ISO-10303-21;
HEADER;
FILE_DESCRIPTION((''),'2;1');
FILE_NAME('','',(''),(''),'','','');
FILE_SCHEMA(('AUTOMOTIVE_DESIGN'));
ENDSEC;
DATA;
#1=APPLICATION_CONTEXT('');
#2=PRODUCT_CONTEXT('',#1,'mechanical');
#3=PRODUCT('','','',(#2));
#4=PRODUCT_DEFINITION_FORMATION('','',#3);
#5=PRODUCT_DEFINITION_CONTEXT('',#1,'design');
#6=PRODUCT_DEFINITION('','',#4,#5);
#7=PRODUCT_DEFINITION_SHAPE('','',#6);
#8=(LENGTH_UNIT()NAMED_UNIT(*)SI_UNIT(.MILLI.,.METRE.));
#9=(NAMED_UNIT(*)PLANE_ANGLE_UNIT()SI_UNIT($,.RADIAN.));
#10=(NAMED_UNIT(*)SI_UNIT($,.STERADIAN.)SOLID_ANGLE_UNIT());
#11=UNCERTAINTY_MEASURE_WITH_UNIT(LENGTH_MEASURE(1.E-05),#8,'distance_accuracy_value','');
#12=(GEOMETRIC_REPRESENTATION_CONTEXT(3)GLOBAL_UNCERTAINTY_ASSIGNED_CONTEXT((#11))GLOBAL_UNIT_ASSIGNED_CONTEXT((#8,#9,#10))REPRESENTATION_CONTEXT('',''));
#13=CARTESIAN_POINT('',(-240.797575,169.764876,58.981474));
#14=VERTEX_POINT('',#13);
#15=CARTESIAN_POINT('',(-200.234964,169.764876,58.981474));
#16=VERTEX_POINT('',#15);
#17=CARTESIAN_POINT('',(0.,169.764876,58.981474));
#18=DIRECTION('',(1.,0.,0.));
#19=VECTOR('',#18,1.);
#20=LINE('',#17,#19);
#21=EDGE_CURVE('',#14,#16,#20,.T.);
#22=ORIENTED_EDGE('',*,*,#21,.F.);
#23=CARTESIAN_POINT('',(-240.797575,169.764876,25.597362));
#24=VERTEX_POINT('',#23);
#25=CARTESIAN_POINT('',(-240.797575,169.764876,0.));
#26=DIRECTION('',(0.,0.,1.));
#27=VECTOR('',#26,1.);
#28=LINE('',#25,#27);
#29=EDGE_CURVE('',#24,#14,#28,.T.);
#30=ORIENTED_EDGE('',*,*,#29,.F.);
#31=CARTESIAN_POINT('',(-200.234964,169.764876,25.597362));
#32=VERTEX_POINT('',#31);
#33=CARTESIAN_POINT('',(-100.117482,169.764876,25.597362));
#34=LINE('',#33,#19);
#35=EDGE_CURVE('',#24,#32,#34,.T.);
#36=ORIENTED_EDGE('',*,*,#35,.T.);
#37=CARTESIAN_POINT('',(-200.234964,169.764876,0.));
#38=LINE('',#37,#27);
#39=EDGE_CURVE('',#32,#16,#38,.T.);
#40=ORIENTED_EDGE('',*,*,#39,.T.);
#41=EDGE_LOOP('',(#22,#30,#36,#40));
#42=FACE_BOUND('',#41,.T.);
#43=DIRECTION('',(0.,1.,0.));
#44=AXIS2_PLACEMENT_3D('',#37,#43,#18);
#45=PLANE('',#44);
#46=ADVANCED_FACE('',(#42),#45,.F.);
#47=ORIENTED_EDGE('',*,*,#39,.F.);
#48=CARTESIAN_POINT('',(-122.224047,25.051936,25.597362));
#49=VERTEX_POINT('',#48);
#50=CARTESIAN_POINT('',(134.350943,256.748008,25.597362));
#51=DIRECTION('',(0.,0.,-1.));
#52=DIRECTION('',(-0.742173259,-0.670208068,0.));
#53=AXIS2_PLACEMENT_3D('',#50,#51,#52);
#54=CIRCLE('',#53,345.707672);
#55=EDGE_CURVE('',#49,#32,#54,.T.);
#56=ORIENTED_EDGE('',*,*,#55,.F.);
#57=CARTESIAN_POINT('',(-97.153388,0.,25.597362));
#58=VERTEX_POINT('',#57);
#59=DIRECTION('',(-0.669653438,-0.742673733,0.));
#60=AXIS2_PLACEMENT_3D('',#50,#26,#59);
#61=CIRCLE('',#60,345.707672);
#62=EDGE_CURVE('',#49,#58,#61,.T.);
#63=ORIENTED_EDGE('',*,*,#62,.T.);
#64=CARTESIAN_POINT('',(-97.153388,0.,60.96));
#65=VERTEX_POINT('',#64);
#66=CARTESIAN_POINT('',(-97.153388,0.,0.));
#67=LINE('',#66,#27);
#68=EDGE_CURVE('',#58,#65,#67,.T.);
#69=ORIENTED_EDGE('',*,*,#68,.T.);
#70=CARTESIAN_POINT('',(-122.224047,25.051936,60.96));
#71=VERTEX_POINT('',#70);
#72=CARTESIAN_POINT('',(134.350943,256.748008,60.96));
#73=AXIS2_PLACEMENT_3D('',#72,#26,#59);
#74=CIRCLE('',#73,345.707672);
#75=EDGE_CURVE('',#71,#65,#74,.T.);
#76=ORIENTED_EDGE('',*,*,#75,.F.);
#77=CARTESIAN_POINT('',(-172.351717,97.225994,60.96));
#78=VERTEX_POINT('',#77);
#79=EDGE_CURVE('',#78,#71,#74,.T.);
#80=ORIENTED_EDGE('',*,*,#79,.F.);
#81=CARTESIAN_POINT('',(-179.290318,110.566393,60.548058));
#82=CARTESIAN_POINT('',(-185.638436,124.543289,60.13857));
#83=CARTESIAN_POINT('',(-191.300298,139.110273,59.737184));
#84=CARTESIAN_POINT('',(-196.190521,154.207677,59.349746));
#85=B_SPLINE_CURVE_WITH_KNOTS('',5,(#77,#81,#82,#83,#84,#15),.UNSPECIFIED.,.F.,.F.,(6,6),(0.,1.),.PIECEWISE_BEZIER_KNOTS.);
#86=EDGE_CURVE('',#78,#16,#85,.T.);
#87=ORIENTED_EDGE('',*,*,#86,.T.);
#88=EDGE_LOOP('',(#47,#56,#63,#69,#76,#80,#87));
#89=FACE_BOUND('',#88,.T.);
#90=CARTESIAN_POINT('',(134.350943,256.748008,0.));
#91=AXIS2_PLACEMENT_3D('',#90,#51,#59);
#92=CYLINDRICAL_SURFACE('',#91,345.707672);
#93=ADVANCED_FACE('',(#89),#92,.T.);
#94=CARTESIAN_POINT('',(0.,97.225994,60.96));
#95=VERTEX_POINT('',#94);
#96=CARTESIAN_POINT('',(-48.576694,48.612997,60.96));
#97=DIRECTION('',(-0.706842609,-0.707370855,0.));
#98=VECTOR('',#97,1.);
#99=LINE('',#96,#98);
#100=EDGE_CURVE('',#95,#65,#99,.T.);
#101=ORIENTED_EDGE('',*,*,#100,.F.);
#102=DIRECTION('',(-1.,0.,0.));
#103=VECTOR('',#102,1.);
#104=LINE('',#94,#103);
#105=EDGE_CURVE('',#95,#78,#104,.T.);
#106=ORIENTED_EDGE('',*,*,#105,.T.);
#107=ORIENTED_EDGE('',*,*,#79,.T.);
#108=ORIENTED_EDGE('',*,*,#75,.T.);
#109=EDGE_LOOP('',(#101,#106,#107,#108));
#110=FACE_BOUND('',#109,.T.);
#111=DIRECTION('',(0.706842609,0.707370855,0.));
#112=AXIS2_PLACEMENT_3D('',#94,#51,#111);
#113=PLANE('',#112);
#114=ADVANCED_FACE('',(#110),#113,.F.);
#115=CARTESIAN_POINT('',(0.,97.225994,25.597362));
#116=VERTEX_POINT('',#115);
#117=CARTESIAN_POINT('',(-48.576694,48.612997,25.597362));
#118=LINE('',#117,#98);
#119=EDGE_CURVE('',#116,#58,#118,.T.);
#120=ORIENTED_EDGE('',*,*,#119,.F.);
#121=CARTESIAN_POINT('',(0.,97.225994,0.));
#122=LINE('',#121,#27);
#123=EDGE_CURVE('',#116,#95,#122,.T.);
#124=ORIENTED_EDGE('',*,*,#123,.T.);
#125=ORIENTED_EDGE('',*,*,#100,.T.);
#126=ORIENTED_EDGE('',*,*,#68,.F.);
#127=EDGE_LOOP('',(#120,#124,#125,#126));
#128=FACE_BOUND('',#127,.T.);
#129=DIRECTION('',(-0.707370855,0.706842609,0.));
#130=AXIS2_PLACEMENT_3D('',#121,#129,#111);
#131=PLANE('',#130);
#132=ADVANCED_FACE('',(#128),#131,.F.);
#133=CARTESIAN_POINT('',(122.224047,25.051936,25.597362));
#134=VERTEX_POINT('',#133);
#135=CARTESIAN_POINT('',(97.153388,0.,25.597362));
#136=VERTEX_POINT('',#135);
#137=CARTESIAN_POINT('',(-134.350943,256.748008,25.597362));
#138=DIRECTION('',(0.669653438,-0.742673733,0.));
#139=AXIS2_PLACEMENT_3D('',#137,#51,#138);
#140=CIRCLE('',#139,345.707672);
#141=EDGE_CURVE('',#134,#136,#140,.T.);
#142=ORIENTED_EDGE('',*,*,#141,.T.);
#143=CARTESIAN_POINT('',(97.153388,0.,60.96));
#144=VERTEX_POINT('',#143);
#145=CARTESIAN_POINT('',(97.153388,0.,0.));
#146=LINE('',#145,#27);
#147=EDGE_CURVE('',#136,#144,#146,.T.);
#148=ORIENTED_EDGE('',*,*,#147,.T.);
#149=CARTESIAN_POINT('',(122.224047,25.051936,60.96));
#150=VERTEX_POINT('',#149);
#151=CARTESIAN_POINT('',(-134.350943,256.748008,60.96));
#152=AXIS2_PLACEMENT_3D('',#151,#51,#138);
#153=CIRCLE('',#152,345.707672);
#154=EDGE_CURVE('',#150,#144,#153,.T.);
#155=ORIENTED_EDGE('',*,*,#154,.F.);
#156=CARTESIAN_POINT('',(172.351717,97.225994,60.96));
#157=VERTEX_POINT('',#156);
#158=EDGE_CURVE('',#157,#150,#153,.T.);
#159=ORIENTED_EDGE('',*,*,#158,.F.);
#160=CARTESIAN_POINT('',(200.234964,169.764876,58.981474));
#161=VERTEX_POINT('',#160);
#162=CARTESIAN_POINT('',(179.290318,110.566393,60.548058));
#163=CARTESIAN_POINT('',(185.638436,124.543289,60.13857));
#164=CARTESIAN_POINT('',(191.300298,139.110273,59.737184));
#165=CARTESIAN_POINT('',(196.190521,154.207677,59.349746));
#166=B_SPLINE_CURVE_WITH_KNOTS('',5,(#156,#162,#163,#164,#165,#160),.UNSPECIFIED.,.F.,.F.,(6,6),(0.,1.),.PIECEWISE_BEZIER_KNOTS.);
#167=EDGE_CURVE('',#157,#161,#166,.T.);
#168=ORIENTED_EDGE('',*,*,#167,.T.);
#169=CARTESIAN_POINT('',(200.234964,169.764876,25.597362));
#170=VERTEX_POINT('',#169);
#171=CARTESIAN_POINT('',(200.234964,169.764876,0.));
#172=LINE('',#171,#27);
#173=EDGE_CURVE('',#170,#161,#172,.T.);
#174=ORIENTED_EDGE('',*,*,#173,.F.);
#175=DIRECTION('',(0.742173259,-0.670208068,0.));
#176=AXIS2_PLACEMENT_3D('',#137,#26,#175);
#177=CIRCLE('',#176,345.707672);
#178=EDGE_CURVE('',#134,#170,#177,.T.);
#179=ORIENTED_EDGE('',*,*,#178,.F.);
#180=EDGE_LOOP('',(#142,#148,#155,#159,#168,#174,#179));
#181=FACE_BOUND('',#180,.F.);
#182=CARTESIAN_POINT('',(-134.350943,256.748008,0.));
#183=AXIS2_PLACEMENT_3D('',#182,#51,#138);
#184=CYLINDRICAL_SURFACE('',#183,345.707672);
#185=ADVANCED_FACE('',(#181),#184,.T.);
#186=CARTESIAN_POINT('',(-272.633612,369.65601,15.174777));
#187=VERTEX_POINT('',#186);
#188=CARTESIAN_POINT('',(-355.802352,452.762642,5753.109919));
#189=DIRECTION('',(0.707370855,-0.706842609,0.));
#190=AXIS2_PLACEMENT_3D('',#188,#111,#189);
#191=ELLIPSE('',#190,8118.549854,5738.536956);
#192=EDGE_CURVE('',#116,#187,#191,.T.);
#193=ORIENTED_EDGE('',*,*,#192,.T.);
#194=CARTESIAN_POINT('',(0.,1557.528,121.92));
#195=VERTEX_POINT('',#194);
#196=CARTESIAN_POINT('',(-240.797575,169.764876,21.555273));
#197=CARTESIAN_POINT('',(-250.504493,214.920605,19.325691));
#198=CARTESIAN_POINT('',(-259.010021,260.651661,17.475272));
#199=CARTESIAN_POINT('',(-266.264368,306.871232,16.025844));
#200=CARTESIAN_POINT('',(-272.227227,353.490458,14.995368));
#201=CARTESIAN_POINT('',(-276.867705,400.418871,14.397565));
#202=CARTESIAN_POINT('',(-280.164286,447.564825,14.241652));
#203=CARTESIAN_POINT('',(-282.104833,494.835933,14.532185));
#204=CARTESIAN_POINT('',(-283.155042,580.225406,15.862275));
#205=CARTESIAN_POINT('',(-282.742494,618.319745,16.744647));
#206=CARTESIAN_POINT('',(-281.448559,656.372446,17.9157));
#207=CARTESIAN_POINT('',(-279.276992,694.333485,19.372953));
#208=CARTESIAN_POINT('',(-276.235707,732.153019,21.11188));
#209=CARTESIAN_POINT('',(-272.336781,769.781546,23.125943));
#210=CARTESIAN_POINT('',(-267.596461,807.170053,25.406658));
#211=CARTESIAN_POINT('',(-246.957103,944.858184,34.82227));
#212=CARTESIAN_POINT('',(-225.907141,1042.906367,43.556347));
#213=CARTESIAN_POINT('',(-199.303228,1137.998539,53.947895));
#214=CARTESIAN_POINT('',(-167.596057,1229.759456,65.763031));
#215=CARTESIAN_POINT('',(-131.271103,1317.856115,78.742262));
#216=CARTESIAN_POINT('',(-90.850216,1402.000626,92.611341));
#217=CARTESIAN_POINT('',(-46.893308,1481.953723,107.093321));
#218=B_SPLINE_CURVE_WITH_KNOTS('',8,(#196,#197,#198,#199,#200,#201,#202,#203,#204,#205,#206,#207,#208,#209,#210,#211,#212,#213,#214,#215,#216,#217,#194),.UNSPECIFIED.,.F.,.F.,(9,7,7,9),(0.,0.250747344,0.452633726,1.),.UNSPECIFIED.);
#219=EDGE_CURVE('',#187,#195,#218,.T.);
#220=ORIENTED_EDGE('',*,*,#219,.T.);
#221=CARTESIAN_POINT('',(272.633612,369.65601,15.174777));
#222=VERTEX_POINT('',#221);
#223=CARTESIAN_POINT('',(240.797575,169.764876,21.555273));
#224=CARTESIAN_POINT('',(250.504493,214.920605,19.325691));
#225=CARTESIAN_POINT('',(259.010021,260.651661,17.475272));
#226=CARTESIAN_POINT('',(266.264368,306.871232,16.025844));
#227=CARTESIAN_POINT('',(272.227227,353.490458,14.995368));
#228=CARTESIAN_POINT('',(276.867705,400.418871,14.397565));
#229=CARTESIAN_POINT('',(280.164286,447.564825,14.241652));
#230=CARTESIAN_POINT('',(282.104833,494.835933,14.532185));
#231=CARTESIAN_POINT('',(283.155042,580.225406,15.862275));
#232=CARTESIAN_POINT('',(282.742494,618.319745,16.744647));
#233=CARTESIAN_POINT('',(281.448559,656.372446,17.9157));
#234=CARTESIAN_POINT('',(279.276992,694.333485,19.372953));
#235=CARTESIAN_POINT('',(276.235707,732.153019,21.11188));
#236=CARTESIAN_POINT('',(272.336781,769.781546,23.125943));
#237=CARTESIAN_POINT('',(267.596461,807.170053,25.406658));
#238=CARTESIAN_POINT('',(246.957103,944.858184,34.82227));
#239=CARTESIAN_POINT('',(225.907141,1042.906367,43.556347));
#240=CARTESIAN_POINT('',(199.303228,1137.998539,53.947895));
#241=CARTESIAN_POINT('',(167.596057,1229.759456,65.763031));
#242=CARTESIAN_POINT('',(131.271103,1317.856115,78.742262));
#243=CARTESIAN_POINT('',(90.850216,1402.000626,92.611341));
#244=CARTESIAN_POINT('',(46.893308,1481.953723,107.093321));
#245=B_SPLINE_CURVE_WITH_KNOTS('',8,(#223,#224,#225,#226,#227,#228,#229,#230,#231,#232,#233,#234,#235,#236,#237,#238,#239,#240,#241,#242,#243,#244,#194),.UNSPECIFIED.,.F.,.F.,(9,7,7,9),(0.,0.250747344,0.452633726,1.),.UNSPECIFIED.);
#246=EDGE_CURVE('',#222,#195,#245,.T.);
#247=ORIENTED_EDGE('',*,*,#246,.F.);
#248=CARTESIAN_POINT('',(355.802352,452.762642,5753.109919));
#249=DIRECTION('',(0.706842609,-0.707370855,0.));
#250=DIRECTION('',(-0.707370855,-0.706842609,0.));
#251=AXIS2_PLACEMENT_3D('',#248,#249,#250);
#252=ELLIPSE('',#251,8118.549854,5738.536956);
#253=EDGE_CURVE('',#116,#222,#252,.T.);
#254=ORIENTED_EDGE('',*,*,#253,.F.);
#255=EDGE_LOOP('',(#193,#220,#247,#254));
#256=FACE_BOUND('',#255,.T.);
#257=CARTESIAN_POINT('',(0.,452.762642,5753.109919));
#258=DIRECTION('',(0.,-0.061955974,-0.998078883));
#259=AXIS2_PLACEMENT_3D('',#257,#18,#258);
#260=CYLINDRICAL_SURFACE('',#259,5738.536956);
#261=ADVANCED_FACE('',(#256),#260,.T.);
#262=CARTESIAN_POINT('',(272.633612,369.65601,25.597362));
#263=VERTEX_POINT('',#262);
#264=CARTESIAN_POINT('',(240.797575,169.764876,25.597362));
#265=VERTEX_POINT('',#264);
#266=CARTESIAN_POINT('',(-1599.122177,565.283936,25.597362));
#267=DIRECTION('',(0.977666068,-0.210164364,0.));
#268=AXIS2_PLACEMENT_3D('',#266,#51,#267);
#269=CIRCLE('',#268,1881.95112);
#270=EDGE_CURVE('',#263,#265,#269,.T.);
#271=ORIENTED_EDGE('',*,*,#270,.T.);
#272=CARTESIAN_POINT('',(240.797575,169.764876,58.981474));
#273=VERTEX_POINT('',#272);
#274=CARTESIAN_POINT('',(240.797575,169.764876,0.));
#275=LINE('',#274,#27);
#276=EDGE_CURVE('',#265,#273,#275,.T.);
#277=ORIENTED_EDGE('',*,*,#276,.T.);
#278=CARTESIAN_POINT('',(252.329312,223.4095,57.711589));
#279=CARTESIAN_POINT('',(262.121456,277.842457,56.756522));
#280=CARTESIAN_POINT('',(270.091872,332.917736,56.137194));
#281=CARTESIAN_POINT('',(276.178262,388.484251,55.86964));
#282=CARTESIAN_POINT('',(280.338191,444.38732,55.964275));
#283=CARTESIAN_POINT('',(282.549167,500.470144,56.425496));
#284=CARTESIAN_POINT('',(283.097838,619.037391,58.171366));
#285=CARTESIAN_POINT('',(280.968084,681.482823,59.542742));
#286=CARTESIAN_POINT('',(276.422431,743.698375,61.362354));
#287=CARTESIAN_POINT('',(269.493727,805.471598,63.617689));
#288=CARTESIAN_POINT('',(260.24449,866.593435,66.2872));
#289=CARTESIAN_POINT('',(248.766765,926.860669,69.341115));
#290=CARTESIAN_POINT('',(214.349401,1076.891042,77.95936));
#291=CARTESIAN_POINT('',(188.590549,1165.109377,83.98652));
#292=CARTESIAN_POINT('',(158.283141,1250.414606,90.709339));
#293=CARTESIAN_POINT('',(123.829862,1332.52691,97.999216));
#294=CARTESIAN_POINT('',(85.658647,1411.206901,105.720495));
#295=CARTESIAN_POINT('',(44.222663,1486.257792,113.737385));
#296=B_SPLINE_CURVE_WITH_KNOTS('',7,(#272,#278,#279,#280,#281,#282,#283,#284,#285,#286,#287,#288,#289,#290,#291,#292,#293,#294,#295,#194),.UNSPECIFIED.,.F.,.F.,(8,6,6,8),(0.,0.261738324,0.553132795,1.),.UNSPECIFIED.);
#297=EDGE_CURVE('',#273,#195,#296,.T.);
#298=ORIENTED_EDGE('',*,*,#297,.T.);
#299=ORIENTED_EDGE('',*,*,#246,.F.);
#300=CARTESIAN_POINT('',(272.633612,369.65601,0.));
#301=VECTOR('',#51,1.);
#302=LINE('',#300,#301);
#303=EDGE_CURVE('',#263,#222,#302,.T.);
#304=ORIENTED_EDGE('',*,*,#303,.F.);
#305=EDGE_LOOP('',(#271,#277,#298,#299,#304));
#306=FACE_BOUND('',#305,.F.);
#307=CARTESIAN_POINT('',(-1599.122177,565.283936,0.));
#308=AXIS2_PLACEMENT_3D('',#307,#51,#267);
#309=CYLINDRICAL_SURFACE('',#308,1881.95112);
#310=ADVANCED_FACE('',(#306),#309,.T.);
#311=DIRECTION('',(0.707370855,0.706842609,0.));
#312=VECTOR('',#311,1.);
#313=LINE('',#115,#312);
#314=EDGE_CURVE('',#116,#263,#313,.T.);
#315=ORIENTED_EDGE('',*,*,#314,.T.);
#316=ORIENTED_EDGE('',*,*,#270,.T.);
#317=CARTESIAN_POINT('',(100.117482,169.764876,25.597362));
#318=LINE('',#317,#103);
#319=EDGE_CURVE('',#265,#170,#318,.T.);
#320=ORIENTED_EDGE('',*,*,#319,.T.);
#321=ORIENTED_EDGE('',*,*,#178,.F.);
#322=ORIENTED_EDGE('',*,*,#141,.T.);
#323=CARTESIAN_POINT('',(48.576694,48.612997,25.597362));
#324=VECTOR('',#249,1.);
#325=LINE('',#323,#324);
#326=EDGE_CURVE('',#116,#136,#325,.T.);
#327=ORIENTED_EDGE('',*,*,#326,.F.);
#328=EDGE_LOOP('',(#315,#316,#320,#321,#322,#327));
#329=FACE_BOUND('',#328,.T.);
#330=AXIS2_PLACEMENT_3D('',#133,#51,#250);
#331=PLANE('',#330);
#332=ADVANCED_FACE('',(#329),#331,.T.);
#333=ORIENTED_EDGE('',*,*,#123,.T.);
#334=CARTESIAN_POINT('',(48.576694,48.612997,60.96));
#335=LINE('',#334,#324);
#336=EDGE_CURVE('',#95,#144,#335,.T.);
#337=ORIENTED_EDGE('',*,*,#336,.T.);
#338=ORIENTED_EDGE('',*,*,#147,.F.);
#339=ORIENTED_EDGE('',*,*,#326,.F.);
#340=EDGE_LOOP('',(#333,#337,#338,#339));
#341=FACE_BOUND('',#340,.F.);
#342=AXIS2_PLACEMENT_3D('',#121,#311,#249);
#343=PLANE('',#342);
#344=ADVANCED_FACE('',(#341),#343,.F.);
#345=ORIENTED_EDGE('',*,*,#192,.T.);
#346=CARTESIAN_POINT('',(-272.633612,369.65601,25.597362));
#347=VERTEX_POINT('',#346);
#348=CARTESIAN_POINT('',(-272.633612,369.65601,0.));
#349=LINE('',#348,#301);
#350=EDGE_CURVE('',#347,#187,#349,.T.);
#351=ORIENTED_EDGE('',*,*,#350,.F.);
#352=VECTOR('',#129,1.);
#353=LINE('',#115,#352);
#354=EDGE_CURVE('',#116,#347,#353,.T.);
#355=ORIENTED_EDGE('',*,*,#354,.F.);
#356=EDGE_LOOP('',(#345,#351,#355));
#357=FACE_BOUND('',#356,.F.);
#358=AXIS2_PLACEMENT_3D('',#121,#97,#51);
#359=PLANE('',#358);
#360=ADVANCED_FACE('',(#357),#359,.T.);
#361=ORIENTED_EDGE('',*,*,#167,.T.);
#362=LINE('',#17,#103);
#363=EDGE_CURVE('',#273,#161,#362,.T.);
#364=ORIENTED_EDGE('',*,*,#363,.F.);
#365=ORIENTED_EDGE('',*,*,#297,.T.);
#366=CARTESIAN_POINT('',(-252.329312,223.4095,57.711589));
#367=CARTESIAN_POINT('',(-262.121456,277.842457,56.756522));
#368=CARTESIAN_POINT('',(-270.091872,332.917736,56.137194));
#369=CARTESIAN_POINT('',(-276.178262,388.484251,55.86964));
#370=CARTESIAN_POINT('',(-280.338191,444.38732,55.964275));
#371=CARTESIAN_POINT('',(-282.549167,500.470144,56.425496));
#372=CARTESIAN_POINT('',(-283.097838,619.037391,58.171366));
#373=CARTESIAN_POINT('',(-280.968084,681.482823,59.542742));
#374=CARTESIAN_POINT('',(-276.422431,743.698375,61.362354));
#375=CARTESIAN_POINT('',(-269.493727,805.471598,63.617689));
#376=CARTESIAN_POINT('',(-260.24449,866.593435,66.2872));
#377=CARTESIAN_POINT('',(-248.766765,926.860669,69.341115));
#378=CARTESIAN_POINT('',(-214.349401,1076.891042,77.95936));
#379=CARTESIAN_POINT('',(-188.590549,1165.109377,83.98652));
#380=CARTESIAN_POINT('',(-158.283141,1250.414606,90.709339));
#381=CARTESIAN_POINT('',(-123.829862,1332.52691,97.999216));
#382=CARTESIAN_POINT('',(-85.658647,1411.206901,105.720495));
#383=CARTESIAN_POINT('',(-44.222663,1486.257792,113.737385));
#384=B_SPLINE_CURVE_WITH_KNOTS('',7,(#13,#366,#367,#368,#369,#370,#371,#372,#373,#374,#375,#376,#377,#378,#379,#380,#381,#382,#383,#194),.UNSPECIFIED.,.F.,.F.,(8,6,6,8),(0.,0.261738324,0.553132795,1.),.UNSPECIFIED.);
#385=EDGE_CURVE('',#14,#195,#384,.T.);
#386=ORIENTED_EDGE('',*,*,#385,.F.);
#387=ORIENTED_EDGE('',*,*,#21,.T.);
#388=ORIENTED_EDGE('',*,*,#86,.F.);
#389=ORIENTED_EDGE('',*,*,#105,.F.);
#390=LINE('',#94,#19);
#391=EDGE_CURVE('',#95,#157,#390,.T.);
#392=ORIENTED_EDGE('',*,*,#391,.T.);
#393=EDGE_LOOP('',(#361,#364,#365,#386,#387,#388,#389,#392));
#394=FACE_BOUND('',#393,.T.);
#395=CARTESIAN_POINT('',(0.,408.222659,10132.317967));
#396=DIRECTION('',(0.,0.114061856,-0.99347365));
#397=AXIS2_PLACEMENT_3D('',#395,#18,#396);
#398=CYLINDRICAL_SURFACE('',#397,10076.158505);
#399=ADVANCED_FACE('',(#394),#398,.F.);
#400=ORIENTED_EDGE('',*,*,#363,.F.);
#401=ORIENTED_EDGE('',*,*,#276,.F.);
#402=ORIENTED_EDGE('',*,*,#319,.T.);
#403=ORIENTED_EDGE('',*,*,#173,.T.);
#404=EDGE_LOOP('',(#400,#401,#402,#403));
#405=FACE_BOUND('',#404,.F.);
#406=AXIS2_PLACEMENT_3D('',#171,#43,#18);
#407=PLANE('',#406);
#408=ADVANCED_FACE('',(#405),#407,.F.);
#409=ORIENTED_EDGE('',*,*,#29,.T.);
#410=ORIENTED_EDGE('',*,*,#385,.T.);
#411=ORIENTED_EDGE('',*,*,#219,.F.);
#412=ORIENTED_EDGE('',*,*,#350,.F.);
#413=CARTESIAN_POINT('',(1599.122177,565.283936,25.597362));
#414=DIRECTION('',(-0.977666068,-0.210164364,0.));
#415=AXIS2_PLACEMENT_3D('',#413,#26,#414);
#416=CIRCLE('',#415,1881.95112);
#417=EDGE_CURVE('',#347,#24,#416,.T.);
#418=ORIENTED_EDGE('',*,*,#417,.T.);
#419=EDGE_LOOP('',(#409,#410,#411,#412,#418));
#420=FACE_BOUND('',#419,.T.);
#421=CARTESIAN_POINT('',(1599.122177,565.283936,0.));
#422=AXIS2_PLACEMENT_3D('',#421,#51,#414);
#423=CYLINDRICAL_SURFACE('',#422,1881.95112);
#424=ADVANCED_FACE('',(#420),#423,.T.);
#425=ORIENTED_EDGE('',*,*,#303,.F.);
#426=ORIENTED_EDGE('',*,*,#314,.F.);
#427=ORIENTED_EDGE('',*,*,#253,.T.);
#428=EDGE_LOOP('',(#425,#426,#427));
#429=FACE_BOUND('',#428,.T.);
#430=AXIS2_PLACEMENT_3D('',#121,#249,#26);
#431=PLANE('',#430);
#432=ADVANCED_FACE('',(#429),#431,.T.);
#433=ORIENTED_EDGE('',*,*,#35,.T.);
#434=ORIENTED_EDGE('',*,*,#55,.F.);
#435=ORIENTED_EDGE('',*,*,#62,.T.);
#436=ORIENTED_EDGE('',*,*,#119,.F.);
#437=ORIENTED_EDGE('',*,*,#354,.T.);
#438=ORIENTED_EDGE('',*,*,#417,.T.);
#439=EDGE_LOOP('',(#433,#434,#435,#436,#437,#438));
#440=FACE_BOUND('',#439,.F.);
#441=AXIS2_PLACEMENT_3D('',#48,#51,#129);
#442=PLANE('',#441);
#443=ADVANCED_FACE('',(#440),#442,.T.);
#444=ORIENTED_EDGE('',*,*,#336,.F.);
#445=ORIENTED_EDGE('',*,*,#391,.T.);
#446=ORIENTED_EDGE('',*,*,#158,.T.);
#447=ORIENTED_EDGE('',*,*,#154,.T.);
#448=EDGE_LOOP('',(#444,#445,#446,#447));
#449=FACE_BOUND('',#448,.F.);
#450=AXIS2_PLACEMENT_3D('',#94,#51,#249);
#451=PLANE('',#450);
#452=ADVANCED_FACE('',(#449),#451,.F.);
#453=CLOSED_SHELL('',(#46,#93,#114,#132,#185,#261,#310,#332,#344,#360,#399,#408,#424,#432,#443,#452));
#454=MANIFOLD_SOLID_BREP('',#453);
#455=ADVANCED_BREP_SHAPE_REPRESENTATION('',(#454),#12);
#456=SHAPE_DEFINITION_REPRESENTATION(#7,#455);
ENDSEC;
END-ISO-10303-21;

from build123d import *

# Parameters (mm, degrees)
F1_DEPTH  = 121.92
F3_DEPTH  = 282.829943269
F4_W      = 137.4469886072
F4_H      = 60.96
F4_H_2    = 25.5973618478
F5_DEPTH  = 1232.2696308848
F6_W      = 35.4420293589
F6_H      = 60.96
F5_FACE_W = 35.4420293589
F5_FACE_H = 25.5973618478
F7_DEPTH  = 131.2443939971


with BuildPart() as f1:
    # F0 (on Top) → F1 (new body)
    with BuildSketch(Plane.XY):
        with BuildLine():
            Line((0, 1557.528), (0, 97.2259938717))
            Line((0, 97.2259938717), (97.1533879638, 0))
            ThreePointArc((97.1533879638, 0), (161.1479027225, 77.3205102489), (200.2349644899, 169.7648763657))
            Line((200.2349644899, 169.7648763657), (240.7975746215, 169.7648763657))
            ThreePointArc((240.7975746215, 169.7648763657), (255.122674282, 887.0230394729), (0, 1557.528))
        make_face()
    extrude(amount=F1_DEPTH)

    # F2 (on face) → F3 (cut, through all)
    with BuildSketch(Plane(origin=(0, 0, 0), x_dir=(0, -1, 0), z_dir=(-1, 0, 0))):
        with BuildLine():
            Line((-97.2259938717, 121.92), (-1557.528, 121.92))
            ThreePointArc((-1557.528, 121.92), (-828.4837557125, 64.9274989858), (-97.2259938717, 60.96))
            Line((-97.2259938717, 60.96), (-97.2259938717, 121.92))
        make_face()
        with BuildLine():
            ThreePointArc((-97.2259938717, 25.5973618478), (-830.4601765145, 27.0160520849), (-1557.528, 121.92))
            Line((-1557.528, 121.92), (-1557.528, 0))
            Line((-1557.528, 0), (-97.2259938717, 0))
            Line((-97.2259938717, 0), (-97.2259938717, 25.5973618478))
        make_face()
    extrude(amount=-F3_DEPTH, mode=Mode.SUBTRACT)

    # F4 (on face) → F5 (cut, through all)
    with BuildSketch(Plane(origin=(48.6129833707, 48.5766804268, 0), x_dir=(0.7068426085, -0.7073708552, 0), z_dir=(-0.7073708552, -0.7068426085, 0))):
        with Locations((-0.0513401263, 91.44)):
            Rectangle(F4_W, F4_H)
        with Locations((-0.0513401263, 12.7986809239)):
            Rectangle(F4_W, F4_H_2)
    extrude(amount=-F5_DEPTH, mode=Mode.SUBTRACT)

    # F6 (on face) + F5_face (on face) → F7 (cut, through all)
    with BuildSketch(Plane(origin=(48.5404045931, -48.5766804268, 0), x_dir=(-0.7073708552, -0.7068426085, 0), z_dir=(-0.7068426085, 0.7073708552, 0))):
        with Locations((-86.4444898061, 91.44)):
            Rectangle(F6_W, F6_H)
    with BuildSketch(Plane(origin=(109.6887172721, 12.5259682421, 91.44), x_dir=(-0.7073708552, -0.7068426085, 0), z_dir=(-0.7068426085, 0.7073708552, 0))):
        with Locations((0, -78.6413190761)):
            Rectangle(F5_FACE_W, F5_FACE_H)
    extrude(amount=-F7_DEPTH, mode=Mode.SUBTRACT)

    # F8: F1 across face


with BuildPart() as f1_1:
    add(f1.part)
    add(f1.part.mirror(Plane(origin=(0, 690.8470850267, 48.623085259), x_dir=(0, -1, 0), z_dir=(-1, 0, 0))))


solid = f1_1.part
